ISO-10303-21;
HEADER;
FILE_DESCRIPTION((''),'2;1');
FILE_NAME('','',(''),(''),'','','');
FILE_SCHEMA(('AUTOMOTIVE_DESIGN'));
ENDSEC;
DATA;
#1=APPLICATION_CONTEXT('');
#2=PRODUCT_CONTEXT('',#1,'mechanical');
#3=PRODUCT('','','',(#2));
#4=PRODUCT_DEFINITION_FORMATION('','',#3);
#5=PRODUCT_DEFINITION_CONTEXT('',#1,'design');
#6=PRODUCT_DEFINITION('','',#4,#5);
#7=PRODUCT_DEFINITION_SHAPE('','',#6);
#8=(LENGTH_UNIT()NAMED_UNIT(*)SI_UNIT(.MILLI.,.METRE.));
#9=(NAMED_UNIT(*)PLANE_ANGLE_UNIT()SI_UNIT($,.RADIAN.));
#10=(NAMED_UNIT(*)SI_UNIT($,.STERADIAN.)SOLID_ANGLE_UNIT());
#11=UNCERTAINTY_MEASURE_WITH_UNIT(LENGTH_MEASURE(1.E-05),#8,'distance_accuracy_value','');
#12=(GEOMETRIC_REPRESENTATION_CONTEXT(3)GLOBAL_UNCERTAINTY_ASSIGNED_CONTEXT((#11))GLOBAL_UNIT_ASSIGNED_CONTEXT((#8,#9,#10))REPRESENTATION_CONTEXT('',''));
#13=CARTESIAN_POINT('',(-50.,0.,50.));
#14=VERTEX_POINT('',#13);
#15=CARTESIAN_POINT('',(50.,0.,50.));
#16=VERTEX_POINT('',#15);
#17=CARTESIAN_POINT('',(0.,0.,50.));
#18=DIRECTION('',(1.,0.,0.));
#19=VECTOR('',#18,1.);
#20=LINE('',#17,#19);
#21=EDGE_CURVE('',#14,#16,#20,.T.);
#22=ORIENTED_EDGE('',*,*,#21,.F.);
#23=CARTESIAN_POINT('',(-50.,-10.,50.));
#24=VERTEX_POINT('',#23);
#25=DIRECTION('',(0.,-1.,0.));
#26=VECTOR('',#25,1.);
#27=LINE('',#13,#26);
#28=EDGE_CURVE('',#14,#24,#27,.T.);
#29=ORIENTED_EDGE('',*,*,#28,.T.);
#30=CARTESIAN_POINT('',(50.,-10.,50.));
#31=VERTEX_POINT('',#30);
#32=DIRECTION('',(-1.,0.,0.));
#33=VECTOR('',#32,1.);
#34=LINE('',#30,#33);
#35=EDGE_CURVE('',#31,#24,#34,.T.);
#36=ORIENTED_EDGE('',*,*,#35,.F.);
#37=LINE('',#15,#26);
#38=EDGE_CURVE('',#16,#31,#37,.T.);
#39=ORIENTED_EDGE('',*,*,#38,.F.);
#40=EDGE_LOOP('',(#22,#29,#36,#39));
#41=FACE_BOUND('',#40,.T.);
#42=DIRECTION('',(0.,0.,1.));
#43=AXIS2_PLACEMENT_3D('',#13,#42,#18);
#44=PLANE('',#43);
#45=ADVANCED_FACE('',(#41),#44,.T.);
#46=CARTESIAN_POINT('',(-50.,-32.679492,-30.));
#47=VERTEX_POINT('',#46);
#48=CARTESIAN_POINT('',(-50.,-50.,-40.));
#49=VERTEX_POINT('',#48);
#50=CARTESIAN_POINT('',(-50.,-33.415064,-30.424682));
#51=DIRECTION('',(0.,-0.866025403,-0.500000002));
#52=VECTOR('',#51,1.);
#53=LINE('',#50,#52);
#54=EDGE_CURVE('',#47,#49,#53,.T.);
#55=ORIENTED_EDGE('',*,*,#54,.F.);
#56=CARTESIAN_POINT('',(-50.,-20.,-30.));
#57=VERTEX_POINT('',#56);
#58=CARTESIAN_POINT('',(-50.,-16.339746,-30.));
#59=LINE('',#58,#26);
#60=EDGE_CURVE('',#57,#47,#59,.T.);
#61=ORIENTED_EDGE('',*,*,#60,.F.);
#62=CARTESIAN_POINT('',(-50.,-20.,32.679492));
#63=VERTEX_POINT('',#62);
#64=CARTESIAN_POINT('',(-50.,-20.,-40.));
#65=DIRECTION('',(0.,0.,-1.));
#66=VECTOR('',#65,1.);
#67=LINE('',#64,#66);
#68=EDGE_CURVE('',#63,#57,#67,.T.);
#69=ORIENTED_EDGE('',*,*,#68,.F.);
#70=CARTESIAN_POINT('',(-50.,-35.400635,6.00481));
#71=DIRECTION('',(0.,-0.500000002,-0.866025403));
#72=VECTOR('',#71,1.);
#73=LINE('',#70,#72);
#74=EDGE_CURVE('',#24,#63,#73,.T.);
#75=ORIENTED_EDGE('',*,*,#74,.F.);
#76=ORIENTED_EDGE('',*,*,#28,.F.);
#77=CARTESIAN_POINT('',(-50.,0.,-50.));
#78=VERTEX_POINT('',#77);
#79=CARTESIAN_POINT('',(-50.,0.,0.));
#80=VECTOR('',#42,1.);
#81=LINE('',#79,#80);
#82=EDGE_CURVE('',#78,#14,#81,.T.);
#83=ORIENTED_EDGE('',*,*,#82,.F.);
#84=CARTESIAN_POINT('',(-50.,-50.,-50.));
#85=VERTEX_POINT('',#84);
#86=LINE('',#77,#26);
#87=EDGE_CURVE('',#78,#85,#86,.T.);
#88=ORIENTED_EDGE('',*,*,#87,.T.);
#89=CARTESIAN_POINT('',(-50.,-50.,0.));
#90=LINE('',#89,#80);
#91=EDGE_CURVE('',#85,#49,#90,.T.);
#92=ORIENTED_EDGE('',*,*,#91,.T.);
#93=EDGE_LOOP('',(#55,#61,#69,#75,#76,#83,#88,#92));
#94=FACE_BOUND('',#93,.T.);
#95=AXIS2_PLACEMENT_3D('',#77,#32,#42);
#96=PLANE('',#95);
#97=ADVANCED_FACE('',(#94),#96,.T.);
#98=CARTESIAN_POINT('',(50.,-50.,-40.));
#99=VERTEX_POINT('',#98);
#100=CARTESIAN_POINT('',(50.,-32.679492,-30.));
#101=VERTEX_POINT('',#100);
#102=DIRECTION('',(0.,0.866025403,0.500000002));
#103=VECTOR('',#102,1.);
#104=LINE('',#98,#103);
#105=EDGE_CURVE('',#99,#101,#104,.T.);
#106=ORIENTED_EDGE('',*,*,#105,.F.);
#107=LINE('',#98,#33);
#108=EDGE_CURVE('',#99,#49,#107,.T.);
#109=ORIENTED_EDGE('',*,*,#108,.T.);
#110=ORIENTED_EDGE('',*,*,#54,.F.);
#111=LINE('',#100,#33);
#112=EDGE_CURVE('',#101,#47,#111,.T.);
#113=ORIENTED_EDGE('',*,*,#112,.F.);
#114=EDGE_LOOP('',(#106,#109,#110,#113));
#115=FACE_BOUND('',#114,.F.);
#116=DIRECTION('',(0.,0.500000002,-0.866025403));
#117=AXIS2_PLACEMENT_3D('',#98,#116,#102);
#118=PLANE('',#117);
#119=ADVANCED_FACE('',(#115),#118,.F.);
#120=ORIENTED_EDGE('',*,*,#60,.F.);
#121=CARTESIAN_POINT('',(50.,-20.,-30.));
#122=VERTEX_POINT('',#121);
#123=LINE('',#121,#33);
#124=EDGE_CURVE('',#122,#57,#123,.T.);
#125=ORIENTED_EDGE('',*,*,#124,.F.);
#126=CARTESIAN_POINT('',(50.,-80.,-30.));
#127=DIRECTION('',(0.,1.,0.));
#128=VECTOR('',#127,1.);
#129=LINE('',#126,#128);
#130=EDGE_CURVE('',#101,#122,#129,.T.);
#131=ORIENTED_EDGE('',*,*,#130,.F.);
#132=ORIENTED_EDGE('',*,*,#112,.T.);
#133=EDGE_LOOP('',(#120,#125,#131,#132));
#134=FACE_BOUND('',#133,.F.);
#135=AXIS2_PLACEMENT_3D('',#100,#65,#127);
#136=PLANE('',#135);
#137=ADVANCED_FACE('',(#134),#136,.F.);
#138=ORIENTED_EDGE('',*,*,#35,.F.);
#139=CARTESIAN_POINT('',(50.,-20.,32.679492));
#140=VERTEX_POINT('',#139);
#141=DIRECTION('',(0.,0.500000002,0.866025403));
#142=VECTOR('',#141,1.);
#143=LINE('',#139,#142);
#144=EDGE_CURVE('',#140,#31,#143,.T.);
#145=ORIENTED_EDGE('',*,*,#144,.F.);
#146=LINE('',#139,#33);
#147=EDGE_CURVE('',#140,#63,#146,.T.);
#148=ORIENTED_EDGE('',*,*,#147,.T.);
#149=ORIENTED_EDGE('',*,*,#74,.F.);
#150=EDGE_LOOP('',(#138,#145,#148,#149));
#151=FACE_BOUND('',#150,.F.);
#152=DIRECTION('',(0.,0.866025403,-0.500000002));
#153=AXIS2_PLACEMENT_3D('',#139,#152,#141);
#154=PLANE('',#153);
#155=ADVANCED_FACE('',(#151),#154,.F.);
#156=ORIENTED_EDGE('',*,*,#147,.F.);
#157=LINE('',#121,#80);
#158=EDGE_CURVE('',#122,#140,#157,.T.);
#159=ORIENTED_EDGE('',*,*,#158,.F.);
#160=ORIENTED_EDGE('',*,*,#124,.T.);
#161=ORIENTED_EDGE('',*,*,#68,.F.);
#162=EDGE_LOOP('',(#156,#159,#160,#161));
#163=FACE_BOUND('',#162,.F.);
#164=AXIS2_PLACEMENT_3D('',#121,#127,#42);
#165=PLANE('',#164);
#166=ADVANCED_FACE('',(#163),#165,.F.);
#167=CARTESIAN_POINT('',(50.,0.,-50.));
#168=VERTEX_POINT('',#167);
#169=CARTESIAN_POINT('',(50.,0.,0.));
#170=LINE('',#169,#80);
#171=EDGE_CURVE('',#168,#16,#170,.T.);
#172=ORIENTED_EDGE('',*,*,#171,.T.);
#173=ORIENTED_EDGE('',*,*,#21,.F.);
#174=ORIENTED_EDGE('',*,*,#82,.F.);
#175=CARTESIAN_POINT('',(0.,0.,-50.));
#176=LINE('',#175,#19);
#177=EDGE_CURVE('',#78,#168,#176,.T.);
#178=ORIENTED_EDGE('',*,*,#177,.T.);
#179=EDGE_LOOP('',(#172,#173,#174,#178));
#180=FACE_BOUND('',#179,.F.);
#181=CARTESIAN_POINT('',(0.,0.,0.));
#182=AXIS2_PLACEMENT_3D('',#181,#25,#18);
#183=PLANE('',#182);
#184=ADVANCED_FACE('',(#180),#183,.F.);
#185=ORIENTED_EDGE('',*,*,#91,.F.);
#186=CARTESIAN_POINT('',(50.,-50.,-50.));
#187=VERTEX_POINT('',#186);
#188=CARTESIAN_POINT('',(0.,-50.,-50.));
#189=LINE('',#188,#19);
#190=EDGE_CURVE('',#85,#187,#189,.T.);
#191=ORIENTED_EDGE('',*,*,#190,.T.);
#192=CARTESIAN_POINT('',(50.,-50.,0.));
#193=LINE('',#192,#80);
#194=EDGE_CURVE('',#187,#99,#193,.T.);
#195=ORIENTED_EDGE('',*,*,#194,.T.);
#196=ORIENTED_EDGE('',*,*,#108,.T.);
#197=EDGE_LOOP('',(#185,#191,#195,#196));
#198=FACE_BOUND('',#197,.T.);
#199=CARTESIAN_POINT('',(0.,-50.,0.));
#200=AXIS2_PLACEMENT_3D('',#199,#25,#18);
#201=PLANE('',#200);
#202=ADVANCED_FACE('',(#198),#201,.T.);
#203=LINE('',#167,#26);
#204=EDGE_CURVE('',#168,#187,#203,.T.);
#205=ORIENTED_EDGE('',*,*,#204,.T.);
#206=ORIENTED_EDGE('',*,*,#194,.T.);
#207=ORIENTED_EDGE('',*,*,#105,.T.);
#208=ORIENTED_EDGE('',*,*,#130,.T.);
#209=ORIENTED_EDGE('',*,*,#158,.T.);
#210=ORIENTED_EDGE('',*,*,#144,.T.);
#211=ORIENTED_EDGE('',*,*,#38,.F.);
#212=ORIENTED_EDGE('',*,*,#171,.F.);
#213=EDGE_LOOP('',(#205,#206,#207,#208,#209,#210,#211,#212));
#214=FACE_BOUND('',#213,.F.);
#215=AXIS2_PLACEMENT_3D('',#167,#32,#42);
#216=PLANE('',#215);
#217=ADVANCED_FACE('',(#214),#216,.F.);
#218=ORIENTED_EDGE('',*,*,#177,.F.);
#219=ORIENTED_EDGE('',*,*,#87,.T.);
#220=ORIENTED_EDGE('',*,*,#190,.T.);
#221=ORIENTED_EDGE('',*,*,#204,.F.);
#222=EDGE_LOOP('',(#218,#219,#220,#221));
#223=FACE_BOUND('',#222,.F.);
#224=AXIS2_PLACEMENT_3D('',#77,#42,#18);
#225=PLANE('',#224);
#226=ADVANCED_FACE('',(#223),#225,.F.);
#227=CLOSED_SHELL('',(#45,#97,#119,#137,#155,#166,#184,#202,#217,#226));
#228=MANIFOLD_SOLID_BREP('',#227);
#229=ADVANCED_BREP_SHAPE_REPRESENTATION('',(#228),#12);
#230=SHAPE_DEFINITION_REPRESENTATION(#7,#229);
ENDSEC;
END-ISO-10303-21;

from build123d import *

# Parameters (mm, degrees)
F0_W     = 100
F0_H     = 100
F1_DEPTH = 50
F3_DEPTH = 100.001


with BuildPart() as f1:
    # F0 (on Front) → F1 (new body)
    with BuildSketch(Plane.XZ):
        Rectangle(F0_W, F0_H)
    extrude(amount=F1_DEPTH)

    # F2 (on face) → F3 (cut, through all)
    with BuildSketch(Plane.YZ.offset(50)):
        Polygon((-32.679492, -30), (-20, -30), (-20, 32.679492), (-20, 130), (-80, 130), (-80, -30), align=None)
        Polygon((-20, 50), (-20, 32.679492), (-10, 50), align=None)
        Polygon((-50, -40), (-32.679492, -30), (-50, -30), align=None)
    extrude(amount=-F3_DEPTH, mode=Mode.SUBTRACT)


solid = f1.part
